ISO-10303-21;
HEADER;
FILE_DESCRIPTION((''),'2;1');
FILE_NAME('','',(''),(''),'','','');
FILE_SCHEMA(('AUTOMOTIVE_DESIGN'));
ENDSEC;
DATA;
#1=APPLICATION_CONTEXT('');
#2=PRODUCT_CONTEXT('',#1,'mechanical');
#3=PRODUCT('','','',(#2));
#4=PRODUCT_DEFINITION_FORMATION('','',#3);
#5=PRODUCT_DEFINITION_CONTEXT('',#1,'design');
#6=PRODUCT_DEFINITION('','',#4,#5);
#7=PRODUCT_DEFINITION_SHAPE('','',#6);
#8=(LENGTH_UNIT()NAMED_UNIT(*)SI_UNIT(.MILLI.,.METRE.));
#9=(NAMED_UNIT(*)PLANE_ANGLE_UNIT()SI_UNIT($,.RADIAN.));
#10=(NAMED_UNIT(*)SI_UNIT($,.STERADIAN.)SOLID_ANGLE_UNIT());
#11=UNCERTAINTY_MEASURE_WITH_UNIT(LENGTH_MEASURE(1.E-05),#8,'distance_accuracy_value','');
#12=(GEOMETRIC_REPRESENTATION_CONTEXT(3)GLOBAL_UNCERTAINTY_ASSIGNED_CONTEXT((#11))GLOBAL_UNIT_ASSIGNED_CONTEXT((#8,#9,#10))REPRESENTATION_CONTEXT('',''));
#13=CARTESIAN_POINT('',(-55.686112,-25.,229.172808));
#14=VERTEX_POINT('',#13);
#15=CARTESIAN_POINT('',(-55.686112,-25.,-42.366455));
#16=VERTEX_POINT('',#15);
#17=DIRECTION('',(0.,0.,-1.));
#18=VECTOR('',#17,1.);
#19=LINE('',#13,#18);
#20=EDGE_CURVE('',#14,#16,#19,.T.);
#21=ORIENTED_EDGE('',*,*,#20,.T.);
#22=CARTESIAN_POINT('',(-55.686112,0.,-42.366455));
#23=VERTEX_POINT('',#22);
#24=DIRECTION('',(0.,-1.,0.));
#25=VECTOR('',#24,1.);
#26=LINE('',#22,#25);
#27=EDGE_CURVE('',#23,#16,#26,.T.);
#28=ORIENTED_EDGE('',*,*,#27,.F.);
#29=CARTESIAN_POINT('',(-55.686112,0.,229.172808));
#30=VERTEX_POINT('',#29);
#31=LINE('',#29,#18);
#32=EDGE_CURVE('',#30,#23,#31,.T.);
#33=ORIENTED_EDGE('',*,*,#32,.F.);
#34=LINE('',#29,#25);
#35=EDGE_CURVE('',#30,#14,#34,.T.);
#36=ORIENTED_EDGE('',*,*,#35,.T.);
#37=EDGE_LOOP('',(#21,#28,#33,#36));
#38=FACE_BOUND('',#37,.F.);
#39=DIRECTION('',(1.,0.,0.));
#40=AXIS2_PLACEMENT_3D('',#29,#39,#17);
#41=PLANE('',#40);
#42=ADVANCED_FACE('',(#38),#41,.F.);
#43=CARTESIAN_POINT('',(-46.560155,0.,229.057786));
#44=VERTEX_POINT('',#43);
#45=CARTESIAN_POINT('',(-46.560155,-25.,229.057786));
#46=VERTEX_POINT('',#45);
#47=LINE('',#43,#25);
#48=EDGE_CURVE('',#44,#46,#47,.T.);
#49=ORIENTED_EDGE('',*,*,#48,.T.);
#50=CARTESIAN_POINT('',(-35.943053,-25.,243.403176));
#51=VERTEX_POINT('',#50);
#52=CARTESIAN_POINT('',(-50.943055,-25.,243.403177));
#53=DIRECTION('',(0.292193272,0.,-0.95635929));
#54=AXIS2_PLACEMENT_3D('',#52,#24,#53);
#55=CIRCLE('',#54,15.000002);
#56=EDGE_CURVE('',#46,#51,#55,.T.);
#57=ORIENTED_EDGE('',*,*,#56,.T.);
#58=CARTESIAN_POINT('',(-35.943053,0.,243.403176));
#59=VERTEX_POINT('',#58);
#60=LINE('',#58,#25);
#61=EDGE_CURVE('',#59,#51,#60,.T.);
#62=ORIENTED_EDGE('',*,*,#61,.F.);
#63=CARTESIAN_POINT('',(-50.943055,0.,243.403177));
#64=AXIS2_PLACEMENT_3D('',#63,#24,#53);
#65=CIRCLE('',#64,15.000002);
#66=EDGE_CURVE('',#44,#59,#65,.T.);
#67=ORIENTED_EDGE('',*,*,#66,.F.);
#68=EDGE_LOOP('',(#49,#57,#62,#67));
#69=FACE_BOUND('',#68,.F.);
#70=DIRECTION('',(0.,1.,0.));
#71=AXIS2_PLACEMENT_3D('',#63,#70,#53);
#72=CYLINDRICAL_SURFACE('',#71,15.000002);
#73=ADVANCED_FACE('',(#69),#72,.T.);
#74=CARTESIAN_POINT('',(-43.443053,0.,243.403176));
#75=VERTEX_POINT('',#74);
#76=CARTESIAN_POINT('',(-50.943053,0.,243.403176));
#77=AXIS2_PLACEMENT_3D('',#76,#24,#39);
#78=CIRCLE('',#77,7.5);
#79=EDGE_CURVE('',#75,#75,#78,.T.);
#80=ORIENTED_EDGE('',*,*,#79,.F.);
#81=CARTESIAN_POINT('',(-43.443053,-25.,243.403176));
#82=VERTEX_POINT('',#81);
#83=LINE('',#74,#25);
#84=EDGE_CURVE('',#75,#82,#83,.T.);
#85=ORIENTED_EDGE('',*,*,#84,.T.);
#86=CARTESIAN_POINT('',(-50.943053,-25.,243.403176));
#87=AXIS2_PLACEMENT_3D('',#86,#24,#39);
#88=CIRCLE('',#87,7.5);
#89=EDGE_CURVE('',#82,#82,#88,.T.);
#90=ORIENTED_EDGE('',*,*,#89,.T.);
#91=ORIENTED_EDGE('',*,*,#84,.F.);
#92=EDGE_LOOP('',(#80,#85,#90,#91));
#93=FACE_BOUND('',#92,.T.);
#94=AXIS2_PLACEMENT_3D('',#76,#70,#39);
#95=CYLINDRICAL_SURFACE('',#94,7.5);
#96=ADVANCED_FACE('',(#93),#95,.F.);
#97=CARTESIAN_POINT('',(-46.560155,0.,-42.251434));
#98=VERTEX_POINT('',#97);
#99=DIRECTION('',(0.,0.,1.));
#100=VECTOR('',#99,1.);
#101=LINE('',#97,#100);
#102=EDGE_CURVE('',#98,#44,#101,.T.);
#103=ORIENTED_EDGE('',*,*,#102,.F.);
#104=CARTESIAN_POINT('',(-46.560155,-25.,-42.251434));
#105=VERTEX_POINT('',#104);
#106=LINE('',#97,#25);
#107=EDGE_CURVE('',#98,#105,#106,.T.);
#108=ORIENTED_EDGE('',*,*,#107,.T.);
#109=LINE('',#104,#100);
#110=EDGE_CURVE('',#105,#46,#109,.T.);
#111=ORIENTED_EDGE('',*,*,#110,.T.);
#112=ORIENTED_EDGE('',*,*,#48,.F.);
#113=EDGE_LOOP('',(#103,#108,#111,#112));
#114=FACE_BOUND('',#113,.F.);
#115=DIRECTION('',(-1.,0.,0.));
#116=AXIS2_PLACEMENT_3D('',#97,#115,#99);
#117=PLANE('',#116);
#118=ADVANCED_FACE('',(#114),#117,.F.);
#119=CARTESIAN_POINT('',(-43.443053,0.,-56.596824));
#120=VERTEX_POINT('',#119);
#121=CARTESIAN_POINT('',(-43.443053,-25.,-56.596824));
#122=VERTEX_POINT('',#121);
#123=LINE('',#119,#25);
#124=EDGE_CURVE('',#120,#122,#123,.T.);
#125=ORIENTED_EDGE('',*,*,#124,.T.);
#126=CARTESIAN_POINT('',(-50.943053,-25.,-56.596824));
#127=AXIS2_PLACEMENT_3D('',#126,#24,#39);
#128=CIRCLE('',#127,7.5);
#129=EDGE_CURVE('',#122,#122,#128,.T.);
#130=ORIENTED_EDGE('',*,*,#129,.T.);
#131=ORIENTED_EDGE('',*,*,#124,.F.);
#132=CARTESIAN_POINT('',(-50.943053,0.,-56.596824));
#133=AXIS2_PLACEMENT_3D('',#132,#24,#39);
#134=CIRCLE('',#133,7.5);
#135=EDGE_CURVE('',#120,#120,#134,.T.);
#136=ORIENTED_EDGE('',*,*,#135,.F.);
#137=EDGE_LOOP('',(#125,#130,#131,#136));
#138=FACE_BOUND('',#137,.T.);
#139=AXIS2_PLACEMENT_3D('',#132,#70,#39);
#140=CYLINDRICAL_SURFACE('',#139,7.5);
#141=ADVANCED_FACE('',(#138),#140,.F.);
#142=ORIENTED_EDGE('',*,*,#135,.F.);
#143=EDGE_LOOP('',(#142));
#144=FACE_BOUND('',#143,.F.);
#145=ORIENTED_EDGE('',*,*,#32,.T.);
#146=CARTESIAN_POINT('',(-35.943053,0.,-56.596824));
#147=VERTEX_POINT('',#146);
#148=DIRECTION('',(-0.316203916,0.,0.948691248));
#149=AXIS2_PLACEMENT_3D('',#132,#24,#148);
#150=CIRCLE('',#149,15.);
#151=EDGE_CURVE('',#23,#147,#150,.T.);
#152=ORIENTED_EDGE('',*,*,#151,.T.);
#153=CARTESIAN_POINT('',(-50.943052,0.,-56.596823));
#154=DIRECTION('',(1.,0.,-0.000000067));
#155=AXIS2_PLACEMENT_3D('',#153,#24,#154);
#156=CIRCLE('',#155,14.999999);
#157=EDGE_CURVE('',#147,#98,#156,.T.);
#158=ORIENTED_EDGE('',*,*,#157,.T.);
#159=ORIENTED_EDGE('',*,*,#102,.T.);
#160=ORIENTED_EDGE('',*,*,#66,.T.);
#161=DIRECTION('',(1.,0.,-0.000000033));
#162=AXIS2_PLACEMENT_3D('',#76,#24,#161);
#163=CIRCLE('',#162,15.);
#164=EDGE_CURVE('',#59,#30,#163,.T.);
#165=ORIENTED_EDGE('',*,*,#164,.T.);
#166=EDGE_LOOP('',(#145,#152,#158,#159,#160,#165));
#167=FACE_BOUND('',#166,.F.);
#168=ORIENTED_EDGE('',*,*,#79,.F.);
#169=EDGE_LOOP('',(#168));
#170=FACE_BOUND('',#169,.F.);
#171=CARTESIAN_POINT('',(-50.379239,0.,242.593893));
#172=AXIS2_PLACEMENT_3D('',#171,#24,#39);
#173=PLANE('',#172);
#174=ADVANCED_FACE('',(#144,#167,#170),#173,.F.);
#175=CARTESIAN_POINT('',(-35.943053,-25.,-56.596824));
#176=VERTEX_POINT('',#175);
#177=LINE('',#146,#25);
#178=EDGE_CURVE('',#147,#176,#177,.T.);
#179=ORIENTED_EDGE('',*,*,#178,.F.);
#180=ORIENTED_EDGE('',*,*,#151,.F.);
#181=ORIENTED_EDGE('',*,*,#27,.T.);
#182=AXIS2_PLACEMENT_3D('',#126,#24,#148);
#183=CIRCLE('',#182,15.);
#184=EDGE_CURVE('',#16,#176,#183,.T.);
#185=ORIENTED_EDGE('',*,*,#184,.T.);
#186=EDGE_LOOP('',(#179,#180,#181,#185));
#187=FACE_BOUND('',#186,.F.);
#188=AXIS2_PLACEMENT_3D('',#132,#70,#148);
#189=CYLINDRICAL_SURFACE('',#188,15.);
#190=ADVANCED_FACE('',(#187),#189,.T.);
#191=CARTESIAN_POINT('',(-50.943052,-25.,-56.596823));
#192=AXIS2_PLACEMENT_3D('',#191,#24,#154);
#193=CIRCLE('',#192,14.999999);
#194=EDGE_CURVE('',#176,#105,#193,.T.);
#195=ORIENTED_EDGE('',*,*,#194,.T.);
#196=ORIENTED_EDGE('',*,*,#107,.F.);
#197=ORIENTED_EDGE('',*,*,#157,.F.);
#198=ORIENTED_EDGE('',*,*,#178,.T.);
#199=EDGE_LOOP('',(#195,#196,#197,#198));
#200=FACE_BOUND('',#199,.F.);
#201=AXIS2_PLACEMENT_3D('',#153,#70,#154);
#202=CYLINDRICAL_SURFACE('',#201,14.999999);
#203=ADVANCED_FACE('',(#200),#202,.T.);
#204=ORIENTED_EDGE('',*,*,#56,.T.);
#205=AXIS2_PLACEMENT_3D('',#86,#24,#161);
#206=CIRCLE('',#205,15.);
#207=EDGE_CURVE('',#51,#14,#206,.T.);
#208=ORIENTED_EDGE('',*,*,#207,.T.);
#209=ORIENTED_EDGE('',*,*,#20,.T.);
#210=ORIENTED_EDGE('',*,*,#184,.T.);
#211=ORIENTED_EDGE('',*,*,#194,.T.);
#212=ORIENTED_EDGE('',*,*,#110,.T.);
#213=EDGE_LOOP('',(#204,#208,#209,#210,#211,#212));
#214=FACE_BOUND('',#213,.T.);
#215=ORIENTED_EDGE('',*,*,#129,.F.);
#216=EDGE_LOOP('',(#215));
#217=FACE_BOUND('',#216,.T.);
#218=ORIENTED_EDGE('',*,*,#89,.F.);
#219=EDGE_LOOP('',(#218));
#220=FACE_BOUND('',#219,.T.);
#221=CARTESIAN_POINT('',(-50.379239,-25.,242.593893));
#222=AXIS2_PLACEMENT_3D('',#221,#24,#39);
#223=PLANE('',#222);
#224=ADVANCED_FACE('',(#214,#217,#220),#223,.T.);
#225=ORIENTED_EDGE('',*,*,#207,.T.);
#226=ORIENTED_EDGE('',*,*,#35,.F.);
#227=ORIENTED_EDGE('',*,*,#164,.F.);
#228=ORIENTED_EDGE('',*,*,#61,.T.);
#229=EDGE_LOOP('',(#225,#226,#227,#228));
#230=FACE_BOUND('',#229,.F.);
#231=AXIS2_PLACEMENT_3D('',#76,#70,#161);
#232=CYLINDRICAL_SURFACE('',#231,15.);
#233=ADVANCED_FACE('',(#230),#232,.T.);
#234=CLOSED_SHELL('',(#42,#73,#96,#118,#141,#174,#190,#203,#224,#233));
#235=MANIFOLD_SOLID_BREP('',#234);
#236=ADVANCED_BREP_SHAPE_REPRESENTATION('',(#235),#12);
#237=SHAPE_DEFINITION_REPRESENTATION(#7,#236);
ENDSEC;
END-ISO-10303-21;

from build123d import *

# Parameters (mm, degrees)
F0_R     = 7.5
F1_DEPTH = 25


with BuildPart() as f1:
    # F0 (on Front) → F1 (new body)
    with BuildSketch(Plane.XZ):
        with BuildLine():
            ThreePointArc((-46.560155, 229.057786), (-38.886033, 234.479709), (-35.943053, 243.403176))
            ThreePointArc((-35.943053, 243.403176), (-59.71386, 255.571699), (-55.686112, 229.172808))
            ThreePointArc((-55.686112, 229.172808), (-51.132094, 228.404367), (-46.560155, 229.057786))
        make_face()
        with Locations((-50.943053, 243.403176)):
            Circle(F0_R, mode=Mode.SUBTRACT)
        with BuildLine():
            ThreePointArc((-46.560155, 229.057786), (-51.132094, 228.404367), (-55.686112, 229.172808))
            Line((-55.686112, 229.172808), (-55.686112, -42.366455))
            ThreePointArc((-55.686112, -42.366455), (-51.132094, -41.598015), (-46.560155, -42.251434))
            Line((-46.560155, -42.251434), (-46.560155, 229.057786))
        make_face()
        with BuildLine():
            ThreePointArc((-46.560155, -42.251434), (-51.132094, -41.598015), (-55.686112, -42.366455))
            ThreePointArc((-55.686112, -42.366455), (-59.71386, -68.765347), (-35.943053, -56.596824))
            ThreePointArc((-35.943053, -56.596824), (-38.886033, -47.673356), (-46.560155, -42.251434))
        make_face()
        with Locations((-50.943053, -56.596824)):
            Circle(F0_R, mode=Mode.SUBTRACT)
    extrude(amount=F1_DEPTH)


solid = f1.part
